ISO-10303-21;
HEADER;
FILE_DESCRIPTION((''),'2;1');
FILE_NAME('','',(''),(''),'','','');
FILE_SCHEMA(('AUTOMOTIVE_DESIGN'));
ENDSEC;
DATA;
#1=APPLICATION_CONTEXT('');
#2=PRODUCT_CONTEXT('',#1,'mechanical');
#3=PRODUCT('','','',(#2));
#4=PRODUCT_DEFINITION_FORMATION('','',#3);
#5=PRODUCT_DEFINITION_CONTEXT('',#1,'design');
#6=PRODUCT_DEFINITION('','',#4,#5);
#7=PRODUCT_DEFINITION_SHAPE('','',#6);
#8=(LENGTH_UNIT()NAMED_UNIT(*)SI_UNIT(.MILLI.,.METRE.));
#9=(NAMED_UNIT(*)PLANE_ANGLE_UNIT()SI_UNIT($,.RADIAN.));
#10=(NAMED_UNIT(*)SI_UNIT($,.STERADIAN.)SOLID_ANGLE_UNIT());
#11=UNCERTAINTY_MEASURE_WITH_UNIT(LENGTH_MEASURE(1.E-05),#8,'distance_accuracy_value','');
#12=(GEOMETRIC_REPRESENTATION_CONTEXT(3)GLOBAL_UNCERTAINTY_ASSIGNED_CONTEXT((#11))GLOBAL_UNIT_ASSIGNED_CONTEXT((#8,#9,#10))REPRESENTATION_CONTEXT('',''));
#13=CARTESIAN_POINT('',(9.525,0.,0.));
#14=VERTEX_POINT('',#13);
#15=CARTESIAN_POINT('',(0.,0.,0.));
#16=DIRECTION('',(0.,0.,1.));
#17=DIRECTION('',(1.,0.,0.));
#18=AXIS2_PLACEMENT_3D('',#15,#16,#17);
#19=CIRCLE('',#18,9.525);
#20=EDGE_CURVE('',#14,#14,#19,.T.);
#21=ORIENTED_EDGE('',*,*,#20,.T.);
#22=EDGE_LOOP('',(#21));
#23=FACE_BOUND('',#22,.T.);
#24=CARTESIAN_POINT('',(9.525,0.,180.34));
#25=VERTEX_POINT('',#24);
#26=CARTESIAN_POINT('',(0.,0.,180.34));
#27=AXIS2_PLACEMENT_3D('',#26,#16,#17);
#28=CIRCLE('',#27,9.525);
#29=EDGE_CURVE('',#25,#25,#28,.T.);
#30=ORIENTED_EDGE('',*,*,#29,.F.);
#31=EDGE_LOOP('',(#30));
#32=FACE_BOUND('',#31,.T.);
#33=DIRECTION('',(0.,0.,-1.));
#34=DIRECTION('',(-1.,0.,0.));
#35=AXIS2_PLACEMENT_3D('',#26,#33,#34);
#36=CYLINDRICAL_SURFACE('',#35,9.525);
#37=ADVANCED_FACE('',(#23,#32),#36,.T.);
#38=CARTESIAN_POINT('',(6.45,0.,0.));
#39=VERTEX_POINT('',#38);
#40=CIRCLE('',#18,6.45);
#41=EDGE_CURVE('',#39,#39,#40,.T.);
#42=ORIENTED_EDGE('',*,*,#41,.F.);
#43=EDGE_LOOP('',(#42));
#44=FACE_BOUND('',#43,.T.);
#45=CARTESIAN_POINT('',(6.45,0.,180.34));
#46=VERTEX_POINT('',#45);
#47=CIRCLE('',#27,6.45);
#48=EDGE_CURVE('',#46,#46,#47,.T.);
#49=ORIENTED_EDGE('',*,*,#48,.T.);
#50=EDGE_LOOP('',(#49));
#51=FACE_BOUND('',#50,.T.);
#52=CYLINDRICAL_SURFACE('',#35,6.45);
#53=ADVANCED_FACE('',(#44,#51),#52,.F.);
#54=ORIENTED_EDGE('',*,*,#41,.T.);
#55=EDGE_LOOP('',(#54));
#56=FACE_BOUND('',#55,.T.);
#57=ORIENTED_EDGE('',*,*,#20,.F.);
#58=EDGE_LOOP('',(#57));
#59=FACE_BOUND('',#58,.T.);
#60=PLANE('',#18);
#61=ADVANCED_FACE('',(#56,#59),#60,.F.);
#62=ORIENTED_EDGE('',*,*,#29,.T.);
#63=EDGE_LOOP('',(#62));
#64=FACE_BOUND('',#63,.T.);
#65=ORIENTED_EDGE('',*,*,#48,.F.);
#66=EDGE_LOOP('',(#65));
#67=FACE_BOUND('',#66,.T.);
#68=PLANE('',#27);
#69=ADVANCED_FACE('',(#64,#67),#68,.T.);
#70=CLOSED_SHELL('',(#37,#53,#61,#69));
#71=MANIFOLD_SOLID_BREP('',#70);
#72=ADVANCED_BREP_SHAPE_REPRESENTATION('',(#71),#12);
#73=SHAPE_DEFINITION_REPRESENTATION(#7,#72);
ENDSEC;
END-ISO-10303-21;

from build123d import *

# Parameters (mm, degrees)
SKETCH1_R           = 9.525
SKETCH1_R_2         = 6.45
BOSS_EXTRUDE1_DEPTH = 180.34


with BuildPart() as part:
    # Sketch1 → Boss-Extrude1 (new body)
    with BuildSketch(Plane.XY):
        Circle(SKETCH1_R)
        Circle(SKETCH1_R_2, mode=Mode.SUBTRACT)
    extrude(amount=BOSS_EXTRUDE1_DEPTH)


solid = part.part
